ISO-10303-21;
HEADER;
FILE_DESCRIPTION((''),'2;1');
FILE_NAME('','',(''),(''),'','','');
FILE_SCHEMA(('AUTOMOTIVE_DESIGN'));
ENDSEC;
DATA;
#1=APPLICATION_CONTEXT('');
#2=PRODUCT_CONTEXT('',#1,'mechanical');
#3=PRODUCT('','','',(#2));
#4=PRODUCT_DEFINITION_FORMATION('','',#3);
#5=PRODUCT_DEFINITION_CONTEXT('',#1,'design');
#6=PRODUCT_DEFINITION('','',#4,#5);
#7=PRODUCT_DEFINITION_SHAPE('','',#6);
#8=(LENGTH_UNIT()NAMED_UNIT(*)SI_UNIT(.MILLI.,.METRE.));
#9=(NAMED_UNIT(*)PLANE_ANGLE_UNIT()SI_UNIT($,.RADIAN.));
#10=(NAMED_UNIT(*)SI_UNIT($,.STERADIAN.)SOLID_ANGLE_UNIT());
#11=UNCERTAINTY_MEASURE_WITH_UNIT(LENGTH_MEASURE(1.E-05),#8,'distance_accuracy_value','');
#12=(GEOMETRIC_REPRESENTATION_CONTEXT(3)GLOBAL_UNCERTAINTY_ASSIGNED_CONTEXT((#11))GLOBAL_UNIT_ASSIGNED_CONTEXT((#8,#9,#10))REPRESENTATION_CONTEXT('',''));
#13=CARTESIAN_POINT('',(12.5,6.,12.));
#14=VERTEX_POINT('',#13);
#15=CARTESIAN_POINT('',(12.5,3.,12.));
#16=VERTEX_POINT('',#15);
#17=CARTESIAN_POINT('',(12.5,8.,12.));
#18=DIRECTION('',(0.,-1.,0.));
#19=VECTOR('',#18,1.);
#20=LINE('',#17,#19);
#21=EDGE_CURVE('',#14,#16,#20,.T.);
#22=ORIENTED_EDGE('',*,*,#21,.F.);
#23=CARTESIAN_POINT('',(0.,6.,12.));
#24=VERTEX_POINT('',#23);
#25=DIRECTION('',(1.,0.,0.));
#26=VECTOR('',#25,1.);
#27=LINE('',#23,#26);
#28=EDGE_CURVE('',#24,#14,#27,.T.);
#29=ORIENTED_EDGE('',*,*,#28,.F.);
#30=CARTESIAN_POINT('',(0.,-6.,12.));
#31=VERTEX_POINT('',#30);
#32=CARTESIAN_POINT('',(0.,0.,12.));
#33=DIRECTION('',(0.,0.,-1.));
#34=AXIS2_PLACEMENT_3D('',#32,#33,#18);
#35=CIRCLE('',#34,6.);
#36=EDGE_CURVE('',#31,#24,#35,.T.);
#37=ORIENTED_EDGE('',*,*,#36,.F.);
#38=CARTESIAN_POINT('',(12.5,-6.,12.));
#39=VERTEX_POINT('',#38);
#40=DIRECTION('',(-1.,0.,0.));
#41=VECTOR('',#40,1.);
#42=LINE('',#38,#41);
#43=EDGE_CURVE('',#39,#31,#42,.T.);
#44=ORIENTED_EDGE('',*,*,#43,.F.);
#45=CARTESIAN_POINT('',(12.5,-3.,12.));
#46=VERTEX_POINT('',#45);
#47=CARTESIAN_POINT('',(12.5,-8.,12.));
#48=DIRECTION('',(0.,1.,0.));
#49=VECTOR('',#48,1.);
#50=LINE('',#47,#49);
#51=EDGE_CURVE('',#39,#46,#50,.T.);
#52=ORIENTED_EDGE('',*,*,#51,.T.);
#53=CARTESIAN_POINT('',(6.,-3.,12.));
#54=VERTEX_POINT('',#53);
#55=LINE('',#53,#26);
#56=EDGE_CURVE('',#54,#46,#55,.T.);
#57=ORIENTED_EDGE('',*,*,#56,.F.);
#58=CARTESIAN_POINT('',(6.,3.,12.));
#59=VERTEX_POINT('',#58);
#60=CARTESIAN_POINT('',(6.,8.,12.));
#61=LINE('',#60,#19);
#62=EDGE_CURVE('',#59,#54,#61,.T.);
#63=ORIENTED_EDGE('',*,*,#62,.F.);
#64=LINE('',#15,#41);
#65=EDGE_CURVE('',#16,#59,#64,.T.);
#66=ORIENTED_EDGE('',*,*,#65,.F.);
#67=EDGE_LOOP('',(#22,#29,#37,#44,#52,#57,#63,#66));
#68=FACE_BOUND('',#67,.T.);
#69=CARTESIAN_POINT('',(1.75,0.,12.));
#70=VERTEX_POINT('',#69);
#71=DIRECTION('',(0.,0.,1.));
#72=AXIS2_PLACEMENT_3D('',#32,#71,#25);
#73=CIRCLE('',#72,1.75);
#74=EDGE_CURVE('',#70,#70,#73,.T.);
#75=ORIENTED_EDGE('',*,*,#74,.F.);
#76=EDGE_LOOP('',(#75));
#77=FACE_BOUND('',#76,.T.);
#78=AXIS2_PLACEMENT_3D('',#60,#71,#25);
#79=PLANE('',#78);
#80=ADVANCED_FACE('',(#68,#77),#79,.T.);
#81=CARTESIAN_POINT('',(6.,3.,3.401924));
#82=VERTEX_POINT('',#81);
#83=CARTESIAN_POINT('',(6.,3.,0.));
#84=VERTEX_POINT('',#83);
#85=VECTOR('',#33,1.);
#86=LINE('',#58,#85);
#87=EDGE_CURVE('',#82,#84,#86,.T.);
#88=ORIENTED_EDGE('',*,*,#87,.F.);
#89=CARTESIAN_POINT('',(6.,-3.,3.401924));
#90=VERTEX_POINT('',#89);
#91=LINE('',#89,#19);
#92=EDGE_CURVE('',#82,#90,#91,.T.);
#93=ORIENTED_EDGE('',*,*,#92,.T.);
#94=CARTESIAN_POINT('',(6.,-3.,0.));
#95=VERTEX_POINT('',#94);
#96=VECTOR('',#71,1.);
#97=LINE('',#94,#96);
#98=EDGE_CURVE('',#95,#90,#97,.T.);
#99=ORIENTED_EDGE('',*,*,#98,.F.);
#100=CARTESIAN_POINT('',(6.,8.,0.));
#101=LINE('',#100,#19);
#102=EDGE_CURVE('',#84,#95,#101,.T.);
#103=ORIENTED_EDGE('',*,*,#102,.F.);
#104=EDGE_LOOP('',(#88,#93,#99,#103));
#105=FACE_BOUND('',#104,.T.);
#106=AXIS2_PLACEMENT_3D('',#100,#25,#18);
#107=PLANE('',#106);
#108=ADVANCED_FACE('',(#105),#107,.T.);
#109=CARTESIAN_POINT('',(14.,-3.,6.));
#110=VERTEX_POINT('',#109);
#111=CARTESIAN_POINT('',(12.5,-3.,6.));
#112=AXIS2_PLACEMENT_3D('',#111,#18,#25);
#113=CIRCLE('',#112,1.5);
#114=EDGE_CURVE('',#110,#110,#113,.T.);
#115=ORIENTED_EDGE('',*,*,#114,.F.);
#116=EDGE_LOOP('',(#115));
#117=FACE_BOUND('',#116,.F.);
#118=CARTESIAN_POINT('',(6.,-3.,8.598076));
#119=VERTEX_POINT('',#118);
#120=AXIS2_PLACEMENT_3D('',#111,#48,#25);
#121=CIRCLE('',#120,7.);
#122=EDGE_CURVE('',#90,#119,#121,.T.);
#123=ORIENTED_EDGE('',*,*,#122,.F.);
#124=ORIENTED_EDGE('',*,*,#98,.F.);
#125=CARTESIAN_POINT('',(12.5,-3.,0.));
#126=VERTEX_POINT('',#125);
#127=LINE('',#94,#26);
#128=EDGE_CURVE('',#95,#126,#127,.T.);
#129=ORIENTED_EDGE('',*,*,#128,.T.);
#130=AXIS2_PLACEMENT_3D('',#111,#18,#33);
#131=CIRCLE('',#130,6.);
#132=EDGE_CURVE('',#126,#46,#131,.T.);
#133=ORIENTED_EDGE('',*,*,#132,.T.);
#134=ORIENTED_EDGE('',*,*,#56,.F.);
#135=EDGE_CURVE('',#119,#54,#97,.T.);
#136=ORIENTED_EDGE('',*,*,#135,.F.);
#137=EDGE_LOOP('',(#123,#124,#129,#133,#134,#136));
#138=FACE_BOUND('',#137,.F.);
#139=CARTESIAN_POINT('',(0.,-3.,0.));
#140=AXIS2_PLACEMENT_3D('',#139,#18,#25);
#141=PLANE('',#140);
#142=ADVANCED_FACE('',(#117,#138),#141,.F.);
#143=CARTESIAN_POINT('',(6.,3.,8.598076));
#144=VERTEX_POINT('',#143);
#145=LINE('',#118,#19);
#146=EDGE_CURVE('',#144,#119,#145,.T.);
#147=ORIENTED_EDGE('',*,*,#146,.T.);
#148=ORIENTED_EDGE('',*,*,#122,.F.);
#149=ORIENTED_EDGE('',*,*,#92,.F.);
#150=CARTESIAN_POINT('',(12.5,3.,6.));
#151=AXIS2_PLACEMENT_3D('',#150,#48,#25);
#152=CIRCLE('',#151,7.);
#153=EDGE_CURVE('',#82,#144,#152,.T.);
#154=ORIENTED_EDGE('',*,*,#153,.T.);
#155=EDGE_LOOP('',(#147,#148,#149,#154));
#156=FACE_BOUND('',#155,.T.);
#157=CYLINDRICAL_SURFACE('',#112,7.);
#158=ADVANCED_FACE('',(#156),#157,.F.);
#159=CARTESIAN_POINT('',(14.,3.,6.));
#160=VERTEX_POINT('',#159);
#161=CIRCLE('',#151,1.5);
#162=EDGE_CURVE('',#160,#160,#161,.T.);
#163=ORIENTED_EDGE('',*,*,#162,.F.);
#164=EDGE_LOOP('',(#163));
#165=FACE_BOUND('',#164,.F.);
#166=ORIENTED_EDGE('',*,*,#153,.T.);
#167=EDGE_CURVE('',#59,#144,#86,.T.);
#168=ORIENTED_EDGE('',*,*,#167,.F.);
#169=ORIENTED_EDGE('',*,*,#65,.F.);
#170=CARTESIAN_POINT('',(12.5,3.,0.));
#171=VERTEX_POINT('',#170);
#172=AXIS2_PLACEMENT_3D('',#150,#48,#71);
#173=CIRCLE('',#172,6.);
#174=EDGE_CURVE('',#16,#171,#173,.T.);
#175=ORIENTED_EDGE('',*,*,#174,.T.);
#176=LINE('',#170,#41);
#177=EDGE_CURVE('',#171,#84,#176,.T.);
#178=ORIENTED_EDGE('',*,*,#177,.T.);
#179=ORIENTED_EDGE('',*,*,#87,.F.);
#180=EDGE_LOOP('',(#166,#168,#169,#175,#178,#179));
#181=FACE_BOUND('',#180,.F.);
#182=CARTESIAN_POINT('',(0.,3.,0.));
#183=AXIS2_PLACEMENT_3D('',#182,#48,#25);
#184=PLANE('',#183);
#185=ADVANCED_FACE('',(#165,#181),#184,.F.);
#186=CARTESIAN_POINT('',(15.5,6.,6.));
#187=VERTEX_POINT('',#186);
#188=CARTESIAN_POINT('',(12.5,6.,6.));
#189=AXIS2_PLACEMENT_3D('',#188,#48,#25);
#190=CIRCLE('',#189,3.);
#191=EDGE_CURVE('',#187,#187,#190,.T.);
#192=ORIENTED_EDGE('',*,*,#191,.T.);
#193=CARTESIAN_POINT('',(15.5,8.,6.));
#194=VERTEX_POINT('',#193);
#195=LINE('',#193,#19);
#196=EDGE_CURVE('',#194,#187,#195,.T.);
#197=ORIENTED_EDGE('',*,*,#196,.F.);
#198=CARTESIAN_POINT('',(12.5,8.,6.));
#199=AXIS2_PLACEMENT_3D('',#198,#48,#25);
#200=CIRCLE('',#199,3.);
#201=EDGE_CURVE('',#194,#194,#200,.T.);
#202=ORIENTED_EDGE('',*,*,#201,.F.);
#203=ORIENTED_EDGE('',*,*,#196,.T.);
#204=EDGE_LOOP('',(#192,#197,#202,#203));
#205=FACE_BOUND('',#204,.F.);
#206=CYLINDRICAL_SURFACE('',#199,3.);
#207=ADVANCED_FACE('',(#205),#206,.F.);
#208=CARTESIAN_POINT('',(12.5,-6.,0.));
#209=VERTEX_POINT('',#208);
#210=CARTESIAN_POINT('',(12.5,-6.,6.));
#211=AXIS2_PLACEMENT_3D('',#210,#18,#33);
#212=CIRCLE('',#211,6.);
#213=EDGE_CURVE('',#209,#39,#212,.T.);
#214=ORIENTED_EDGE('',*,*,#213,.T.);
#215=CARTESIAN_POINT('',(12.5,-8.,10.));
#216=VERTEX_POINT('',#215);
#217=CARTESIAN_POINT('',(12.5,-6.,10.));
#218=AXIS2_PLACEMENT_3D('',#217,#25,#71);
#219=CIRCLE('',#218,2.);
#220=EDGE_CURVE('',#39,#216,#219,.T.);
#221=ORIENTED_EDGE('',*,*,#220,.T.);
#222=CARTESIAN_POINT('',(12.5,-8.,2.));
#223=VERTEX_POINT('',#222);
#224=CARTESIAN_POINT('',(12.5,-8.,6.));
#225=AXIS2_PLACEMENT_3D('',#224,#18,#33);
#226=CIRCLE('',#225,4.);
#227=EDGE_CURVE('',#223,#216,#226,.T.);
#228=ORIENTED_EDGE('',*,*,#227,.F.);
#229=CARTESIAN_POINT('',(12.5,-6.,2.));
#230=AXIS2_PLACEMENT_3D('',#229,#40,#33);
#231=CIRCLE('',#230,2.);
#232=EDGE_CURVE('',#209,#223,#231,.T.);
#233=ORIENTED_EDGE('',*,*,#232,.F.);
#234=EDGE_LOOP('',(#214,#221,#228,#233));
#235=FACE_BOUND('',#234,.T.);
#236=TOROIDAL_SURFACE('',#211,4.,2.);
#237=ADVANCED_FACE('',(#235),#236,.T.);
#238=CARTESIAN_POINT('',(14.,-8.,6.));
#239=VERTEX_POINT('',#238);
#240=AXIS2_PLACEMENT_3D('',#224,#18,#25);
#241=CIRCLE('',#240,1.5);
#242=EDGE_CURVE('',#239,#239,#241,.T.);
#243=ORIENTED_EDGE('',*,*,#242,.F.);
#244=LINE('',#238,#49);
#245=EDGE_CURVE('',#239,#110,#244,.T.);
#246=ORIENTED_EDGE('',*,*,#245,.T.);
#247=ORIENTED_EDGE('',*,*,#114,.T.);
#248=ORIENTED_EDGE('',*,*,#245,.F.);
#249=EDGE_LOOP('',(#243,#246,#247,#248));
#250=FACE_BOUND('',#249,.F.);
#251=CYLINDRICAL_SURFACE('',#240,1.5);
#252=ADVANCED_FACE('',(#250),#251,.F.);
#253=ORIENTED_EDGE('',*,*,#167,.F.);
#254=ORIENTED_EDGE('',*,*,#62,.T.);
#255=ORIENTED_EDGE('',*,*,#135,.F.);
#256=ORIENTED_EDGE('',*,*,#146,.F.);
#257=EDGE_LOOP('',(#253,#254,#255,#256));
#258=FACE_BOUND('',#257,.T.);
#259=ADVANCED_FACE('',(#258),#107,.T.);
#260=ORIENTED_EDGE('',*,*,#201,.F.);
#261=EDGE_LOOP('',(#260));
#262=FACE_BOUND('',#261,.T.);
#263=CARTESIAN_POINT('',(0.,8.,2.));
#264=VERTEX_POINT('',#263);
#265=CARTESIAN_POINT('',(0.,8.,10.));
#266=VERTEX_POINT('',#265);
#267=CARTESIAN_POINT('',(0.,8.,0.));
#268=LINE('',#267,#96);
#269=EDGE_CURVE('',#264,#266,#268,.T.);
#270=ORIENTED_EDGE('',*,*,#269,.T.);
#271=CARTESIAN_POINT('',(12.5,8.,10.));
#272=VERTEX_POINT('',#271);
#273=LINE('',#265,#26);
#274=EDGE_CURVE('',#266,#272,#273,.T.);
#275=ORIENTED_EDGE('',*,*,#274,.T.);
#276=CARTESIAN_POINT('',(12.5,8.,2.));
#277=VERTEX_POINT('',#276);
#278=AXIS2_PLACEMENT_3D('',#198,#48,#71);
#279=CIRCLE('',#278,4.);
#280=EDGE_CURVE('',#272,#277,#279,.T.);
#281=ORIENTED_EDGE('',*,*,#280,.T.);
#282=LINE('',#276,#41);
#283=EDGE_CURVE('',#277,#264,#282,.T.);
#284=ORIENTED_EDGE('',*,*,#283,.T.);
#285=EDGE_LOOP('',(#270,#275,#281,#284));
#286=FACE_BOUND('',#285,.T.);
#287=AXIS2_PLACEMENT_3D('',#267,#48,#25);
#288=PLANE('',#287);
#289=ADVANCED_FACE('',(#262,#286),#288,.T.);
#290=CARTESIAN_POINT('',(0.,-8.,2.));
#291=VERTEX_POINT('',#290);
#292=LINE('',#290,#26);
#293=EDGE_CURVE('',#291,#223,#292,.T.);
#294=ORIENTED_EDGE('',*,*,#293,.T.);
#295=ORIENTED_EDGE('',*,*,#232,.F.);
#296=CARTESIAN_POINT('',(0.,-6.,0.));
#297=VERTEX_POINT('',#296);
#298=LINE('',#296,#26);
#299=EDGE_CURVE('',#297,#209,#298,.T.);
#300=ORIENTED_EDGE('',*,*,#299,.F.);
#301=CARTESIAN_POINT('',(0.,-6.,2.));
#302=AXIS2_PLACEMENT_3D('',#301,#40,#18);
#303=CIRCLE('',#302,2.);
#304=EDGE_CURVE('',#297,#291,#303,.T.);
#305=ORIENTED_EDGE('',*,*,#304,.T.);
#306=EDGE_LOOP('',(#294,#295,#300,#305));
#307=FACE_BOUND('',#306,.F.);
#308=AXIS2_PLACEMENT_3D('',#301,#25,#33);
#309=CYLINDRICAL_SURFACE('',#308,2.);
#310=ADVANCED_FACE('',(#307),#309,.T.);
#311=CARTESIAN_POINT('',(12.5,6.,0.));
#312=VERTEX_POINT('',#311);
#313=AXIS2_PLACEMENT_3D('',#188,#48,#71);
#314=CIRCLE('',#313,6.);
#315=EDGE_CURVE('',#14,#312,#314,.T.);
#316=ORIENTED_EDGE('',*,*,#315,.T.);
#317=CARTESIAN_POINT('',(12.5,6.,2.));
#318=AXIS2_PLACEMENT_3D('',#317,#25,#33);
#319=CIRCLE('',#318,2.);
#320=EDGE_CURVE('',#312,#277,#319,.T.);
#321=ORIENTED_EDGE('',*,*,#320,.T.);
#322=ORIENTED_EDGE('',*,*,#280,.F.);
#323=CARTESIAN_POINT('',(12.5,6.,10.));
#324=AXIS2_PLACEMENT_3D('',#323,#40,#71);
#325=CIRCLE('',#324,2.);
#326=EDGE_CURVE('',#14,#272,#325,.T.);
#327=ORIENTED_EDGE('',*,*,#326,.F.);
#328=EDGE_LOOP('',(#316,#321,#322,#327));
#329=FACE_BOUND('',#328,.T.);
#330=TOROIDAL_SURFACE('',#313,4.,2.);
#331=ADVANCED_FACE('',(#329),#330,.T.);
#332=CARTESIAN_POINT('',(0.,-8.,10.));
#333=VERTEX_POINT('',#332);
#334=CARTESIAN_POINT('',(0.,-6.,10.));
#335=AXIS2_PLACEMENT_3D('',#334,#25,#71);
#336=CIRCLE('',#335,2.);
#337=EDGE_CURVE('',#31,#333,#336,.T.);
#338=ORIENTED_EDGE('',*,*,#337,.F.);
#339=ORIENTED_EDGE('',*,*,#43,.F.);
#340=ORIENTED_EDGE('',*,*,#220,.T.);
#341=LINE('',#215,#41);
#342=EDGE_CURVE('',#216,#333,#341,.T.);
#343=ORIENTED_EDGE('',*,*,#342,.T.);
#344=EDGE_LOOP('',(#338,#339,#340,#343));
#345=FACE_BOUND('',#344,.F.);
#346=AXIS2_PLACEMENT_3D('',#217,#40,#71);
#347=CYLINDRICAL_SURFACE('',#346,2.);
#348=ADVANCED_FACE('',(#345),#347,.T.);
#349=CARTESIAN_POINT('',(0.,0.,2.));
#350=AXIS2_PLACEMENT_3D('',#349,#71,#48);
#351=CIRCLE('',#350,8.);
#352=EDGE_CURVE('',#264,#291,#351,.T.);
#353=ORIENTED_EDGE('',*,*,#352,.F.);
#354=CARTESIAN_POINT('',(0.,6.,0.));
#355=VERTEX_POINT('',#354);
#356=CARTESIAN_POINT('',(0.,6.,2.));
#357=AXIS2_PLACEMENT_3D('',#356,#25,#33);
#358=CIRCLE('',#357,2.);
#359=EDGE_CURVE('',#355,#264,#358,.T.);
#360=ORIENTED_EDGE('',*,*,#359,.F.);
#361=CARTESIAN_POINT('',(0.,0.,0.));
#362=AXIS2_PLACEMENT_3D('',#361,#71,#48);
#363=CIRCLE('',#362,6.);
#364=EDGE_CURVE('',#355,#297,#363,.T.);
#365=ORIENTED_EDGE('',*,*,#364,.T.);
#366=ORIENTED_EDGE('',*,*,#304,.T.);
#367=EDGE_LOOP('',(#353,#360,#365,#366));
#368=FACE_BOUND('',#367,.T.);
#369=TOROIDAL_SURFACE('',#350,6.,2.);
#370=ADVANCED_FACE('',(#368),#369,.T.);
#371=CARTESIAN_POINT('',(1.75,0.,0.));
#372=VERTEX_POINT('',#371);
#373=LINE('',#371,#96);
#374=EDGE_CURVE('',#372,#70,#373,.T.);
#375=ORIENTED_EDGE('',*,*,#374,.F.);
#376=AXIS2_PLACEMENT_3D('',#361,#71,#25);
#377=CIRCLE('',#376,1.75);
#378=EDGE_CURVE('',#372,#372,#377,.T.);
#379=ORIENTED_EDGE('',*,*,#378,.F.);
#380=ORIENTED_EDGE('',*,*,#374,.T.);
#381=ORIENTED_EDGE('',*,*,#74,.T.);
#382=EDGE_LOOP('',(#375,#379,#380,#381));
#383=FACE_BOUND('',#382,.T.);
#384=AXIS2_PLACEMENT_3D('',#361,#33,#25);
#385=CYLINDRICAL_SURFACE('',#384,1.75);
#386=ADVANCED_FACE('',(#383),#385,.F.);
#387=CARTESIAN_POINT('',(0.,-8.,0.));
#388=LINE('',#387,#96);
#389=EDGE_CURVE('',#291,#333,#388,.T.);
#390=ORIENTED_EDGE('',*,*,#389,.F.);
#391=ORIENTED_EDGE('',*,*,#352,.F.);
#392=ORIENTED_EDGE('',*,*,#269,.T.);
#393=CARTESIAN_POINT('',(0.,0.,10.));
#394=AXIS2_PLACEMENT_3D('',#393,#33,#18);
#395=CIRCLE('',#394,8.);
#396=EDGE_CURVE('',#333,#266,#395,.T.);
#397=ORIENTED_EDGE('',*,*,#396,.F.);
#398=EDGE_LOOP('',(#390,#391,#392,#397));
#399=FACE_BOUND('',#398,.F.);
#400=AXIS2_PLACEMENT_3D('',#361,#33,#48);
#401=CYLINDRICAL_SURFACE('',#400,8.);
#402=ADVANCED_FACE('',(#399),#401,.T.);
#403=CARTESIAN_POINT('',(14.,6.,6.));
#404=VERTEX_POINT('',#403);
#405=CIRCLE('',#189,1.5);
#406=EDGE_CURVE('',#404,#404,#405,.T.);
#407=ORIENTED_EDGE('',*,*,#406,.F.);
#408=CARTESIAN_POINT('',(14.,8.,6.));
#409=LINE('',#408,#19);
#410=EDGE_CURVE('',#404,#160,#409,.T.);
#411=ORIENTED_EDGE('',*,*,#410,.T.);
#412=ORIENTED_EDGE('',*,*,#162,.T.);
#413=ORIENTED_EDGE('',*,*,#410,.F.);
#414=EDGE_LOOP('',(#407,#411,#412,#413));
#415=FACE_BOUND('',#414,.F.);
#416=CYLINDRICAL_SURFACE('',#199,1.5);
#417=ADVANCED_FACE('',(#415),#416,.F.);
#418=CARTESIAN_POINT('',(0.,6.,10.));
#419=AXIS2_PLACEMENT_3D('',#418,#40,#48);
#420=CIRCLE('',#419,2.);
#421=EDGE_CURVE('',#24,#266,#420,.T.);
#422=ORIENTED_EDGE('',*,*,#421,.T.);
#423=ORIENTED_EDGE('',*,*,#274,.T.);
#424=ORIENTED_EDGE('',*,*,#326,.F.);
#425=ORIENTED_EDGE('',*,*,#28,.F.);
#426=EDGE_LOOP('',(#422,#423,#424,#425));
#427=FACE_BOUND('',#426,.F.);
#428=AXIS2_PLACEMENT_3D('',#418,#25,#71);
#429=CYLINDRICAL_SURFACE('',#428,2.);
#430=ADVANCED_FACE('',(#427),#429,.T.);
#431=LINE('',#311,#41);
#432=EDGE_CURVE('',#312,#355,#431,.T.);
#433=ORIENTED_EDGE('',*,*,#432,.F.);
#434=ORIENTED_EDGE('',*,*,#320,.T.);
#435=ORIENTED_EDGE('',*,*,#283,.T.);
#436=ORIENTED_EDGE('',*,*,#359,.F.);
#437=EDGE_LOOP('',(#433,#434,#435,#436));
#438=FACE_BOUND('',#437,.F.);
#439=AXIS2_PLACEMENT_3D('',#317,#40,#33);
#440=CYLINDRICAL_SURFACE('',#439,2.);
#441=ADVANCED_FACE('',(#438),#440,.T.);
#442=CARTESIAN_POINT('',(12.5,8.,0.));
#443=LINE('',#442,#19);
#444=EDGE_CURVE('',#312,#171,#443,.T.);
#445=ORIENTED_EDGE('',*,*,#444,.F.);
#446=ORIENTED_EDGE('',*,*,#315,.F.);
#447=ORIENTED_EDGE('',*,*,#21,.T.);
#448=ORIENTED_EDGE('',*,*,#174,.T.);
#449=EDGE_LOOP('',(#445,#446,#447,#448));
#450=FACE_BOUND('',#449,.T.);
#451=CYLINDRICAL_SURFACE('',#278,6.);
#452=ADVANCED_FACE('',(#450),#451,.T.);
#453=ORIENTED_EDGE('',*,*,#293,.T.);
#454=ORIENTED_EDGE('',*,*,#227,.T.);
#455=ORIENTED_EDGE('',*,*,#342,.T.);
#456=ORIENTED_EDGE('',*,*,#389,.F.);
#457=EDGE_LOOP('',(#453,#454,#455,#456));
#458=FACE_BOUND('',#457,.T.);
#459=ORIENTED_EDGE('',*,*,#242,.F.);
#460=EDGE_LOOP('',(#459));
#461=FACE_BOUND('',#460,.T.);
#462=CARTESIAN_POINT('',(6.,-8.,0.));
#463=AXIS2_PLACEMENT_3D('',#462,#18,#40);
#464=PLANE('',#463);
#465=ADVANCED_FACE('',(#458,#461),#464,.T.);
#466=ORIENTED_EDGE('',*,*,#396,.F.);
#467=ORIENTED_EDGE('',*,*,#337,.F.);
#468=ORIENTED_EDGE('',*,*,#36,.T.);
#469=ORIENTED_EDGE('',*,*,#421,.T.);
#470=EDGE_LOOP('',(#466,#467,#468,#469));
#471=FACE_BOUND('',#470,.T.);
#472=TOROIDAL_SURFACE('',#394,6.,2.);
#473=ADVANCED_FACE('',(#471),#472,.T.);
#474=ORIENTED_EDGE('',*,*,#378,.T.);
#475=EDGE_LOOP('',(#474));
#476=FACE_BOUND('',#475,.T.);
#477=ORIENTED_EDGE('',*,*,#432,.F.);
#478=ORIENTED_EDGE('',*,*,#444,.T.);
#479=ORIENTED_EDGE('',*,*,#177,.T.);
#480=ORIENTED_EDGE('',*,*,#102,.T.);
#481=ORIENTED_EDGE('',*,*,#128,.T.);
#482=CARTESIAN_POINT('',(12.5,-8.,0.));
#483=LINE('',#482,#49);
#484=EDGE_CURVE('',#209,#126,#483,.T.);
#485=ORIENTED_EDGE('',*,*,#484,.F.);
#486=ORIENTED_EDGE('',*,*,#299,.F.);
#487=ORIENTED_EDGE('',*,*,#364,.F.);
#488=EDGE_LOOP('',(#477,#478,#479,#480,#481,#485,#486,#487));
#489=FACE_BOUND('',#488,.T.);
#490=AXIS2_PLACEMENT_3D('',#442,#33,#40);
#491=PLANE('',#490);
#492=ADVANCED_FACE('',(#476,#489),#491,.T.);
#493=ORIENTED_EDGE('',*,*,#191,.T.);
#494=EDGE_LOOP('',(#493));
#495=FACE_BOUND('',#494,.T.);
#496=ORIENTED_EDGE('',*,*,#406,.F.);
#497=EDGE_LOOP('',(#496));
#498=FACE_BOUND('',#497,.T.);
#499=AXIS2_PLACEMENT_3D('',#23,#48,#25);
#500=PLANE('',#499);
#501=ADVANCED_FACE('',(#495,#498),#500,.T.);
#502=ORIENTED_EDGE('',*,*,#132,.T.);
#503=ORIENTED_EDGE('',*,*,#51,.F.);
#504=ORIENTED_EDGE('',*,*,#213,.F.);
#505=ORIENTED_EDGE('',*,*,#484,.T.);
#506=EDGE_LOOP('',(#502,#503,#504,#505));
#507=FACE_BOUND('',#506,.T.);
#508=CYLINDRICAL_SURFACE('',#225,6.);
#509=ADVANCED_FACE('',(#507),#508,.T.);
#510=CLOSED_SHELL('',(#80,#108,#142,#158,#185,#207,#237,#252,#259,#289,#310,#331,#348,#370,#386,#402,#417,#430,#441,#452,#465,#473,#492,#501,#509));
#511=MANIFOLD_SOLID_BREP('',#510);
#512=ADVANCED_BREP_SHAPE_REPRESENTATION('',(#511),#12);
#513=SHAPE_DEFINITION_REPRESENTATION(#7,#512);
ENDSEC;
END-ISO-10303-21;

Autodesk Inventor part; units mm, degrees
ref_plane "YZ Plane" through (0, 0, 0) normal (1, 0, 0) x (0, 1, 0)
ref_plane "XZ Plane" through (0, 0, 0) normal (0, 1, 0) x (-1, 0, 0)
ref_plane "XY Plane" through (0, 0, 0) normal (0, 0, 1) x (1, 0, 0)
sketch "Sketch2" plane through (0, 0, 0) normal (0, 0, 1) x (1, 0, 0)
  circle A0 centre (0, 0) radius 1.75
  circle A1 centre (0, 0) radius 8 construction
  arc A2 (0, 8) -> (0, -8) centre (0, 0) ccw
  line L0 (0, 8) -> (6, 8)
  line L1 (6, 8) -> (6, -8)
  line L2 (6, -8) -> (0, -8)
  dimension "d0" = 3.5
  dimension "d1" = 16
  dimension "d2" = 6
extrude "Extrusion1" add sketch "Sketch2" along normal blind 12
sketch "Sketch3" plane through (0, -8, 0) normal (0, -1, 0) x (1, 0, 0)
  circle A0 centre (12.5, 6) radius 6 construction
  line L0 (6, 0) -> (6, 12) projected
  line L1 (0, 0) -> (0, 12) projected
  circle A1 centre (12.5, 6) radius 1.5
  arc A2 (12.5, 0) -> (12.5, 12) centre (12.5, 6) ccw
  line L2 (6, 12) -> (12.5, 12)
  line L3 (6, 0) -> (12.5, 0)
  point P0 (6, 6)
  dimension "d5" = 12
  dimension "d6" = 12.5
  dimension "d7" = 3
extrude "Extrusion2" add sketch "Sketch3" against normal blind 5
sketch "Sketch4" plane through (0, 8, 0) normal (0, 1, 0) x (1, 0, 0)
  circle A0 centre (12.5, -6) radius 1.5 projected
  line L0 (6, -12) -> (6, 0) projected
  line L1 (6, -12) -> (12.5, -12) projected
  arc A1 (12.5, -12) -> (12.5, 0) centre (12.5, -6) ccw projected
  line L2 (12.5, 0) -> (6, 0) projected
  point P0 (0, 0)
extrude "Extrusion3" add sketch "Sketch4" against normal blind 5
sketch "Sketch6" plane through (0, 8, 12) normal (0, 1, 0) x (1, 0, 0)
  circle A0 centre (12.5, 6) radius 1.5 projected
  circle A1 centre (12.5, 6) radius 3
  point P0 (0, 12)
  dimension "d13" = 6
extrude "Extrusion4" cut sketch "Sketch6" against normal blind 2
sketch "Sketch7" plane through (0, -3, 0) normal (0, 1, 0) x (1, 0, 0)
  arc A0 (12.5, -12) -> (12.5, 0) centre (12.5, -6) ccw projected
  circle A1 centre (12.5, -6) radius 7
  point P0 (0, 0)
  dimension "d16" = 14
extrude "Extrusion5" cut sketch "Sketch7" along normal blind 6
fillet "Fillet1" radius 2 8 edges at (18.5, 8, 6) (6.25, 8, 0) (-8, 0, 0) (6.25, -8, 0) (18.5, -8, 6) (6.25, -8, 12) (-8, 0, 12) (6.25, 8, 12)
properties part number "Arm1" material "ABS Plastic"
